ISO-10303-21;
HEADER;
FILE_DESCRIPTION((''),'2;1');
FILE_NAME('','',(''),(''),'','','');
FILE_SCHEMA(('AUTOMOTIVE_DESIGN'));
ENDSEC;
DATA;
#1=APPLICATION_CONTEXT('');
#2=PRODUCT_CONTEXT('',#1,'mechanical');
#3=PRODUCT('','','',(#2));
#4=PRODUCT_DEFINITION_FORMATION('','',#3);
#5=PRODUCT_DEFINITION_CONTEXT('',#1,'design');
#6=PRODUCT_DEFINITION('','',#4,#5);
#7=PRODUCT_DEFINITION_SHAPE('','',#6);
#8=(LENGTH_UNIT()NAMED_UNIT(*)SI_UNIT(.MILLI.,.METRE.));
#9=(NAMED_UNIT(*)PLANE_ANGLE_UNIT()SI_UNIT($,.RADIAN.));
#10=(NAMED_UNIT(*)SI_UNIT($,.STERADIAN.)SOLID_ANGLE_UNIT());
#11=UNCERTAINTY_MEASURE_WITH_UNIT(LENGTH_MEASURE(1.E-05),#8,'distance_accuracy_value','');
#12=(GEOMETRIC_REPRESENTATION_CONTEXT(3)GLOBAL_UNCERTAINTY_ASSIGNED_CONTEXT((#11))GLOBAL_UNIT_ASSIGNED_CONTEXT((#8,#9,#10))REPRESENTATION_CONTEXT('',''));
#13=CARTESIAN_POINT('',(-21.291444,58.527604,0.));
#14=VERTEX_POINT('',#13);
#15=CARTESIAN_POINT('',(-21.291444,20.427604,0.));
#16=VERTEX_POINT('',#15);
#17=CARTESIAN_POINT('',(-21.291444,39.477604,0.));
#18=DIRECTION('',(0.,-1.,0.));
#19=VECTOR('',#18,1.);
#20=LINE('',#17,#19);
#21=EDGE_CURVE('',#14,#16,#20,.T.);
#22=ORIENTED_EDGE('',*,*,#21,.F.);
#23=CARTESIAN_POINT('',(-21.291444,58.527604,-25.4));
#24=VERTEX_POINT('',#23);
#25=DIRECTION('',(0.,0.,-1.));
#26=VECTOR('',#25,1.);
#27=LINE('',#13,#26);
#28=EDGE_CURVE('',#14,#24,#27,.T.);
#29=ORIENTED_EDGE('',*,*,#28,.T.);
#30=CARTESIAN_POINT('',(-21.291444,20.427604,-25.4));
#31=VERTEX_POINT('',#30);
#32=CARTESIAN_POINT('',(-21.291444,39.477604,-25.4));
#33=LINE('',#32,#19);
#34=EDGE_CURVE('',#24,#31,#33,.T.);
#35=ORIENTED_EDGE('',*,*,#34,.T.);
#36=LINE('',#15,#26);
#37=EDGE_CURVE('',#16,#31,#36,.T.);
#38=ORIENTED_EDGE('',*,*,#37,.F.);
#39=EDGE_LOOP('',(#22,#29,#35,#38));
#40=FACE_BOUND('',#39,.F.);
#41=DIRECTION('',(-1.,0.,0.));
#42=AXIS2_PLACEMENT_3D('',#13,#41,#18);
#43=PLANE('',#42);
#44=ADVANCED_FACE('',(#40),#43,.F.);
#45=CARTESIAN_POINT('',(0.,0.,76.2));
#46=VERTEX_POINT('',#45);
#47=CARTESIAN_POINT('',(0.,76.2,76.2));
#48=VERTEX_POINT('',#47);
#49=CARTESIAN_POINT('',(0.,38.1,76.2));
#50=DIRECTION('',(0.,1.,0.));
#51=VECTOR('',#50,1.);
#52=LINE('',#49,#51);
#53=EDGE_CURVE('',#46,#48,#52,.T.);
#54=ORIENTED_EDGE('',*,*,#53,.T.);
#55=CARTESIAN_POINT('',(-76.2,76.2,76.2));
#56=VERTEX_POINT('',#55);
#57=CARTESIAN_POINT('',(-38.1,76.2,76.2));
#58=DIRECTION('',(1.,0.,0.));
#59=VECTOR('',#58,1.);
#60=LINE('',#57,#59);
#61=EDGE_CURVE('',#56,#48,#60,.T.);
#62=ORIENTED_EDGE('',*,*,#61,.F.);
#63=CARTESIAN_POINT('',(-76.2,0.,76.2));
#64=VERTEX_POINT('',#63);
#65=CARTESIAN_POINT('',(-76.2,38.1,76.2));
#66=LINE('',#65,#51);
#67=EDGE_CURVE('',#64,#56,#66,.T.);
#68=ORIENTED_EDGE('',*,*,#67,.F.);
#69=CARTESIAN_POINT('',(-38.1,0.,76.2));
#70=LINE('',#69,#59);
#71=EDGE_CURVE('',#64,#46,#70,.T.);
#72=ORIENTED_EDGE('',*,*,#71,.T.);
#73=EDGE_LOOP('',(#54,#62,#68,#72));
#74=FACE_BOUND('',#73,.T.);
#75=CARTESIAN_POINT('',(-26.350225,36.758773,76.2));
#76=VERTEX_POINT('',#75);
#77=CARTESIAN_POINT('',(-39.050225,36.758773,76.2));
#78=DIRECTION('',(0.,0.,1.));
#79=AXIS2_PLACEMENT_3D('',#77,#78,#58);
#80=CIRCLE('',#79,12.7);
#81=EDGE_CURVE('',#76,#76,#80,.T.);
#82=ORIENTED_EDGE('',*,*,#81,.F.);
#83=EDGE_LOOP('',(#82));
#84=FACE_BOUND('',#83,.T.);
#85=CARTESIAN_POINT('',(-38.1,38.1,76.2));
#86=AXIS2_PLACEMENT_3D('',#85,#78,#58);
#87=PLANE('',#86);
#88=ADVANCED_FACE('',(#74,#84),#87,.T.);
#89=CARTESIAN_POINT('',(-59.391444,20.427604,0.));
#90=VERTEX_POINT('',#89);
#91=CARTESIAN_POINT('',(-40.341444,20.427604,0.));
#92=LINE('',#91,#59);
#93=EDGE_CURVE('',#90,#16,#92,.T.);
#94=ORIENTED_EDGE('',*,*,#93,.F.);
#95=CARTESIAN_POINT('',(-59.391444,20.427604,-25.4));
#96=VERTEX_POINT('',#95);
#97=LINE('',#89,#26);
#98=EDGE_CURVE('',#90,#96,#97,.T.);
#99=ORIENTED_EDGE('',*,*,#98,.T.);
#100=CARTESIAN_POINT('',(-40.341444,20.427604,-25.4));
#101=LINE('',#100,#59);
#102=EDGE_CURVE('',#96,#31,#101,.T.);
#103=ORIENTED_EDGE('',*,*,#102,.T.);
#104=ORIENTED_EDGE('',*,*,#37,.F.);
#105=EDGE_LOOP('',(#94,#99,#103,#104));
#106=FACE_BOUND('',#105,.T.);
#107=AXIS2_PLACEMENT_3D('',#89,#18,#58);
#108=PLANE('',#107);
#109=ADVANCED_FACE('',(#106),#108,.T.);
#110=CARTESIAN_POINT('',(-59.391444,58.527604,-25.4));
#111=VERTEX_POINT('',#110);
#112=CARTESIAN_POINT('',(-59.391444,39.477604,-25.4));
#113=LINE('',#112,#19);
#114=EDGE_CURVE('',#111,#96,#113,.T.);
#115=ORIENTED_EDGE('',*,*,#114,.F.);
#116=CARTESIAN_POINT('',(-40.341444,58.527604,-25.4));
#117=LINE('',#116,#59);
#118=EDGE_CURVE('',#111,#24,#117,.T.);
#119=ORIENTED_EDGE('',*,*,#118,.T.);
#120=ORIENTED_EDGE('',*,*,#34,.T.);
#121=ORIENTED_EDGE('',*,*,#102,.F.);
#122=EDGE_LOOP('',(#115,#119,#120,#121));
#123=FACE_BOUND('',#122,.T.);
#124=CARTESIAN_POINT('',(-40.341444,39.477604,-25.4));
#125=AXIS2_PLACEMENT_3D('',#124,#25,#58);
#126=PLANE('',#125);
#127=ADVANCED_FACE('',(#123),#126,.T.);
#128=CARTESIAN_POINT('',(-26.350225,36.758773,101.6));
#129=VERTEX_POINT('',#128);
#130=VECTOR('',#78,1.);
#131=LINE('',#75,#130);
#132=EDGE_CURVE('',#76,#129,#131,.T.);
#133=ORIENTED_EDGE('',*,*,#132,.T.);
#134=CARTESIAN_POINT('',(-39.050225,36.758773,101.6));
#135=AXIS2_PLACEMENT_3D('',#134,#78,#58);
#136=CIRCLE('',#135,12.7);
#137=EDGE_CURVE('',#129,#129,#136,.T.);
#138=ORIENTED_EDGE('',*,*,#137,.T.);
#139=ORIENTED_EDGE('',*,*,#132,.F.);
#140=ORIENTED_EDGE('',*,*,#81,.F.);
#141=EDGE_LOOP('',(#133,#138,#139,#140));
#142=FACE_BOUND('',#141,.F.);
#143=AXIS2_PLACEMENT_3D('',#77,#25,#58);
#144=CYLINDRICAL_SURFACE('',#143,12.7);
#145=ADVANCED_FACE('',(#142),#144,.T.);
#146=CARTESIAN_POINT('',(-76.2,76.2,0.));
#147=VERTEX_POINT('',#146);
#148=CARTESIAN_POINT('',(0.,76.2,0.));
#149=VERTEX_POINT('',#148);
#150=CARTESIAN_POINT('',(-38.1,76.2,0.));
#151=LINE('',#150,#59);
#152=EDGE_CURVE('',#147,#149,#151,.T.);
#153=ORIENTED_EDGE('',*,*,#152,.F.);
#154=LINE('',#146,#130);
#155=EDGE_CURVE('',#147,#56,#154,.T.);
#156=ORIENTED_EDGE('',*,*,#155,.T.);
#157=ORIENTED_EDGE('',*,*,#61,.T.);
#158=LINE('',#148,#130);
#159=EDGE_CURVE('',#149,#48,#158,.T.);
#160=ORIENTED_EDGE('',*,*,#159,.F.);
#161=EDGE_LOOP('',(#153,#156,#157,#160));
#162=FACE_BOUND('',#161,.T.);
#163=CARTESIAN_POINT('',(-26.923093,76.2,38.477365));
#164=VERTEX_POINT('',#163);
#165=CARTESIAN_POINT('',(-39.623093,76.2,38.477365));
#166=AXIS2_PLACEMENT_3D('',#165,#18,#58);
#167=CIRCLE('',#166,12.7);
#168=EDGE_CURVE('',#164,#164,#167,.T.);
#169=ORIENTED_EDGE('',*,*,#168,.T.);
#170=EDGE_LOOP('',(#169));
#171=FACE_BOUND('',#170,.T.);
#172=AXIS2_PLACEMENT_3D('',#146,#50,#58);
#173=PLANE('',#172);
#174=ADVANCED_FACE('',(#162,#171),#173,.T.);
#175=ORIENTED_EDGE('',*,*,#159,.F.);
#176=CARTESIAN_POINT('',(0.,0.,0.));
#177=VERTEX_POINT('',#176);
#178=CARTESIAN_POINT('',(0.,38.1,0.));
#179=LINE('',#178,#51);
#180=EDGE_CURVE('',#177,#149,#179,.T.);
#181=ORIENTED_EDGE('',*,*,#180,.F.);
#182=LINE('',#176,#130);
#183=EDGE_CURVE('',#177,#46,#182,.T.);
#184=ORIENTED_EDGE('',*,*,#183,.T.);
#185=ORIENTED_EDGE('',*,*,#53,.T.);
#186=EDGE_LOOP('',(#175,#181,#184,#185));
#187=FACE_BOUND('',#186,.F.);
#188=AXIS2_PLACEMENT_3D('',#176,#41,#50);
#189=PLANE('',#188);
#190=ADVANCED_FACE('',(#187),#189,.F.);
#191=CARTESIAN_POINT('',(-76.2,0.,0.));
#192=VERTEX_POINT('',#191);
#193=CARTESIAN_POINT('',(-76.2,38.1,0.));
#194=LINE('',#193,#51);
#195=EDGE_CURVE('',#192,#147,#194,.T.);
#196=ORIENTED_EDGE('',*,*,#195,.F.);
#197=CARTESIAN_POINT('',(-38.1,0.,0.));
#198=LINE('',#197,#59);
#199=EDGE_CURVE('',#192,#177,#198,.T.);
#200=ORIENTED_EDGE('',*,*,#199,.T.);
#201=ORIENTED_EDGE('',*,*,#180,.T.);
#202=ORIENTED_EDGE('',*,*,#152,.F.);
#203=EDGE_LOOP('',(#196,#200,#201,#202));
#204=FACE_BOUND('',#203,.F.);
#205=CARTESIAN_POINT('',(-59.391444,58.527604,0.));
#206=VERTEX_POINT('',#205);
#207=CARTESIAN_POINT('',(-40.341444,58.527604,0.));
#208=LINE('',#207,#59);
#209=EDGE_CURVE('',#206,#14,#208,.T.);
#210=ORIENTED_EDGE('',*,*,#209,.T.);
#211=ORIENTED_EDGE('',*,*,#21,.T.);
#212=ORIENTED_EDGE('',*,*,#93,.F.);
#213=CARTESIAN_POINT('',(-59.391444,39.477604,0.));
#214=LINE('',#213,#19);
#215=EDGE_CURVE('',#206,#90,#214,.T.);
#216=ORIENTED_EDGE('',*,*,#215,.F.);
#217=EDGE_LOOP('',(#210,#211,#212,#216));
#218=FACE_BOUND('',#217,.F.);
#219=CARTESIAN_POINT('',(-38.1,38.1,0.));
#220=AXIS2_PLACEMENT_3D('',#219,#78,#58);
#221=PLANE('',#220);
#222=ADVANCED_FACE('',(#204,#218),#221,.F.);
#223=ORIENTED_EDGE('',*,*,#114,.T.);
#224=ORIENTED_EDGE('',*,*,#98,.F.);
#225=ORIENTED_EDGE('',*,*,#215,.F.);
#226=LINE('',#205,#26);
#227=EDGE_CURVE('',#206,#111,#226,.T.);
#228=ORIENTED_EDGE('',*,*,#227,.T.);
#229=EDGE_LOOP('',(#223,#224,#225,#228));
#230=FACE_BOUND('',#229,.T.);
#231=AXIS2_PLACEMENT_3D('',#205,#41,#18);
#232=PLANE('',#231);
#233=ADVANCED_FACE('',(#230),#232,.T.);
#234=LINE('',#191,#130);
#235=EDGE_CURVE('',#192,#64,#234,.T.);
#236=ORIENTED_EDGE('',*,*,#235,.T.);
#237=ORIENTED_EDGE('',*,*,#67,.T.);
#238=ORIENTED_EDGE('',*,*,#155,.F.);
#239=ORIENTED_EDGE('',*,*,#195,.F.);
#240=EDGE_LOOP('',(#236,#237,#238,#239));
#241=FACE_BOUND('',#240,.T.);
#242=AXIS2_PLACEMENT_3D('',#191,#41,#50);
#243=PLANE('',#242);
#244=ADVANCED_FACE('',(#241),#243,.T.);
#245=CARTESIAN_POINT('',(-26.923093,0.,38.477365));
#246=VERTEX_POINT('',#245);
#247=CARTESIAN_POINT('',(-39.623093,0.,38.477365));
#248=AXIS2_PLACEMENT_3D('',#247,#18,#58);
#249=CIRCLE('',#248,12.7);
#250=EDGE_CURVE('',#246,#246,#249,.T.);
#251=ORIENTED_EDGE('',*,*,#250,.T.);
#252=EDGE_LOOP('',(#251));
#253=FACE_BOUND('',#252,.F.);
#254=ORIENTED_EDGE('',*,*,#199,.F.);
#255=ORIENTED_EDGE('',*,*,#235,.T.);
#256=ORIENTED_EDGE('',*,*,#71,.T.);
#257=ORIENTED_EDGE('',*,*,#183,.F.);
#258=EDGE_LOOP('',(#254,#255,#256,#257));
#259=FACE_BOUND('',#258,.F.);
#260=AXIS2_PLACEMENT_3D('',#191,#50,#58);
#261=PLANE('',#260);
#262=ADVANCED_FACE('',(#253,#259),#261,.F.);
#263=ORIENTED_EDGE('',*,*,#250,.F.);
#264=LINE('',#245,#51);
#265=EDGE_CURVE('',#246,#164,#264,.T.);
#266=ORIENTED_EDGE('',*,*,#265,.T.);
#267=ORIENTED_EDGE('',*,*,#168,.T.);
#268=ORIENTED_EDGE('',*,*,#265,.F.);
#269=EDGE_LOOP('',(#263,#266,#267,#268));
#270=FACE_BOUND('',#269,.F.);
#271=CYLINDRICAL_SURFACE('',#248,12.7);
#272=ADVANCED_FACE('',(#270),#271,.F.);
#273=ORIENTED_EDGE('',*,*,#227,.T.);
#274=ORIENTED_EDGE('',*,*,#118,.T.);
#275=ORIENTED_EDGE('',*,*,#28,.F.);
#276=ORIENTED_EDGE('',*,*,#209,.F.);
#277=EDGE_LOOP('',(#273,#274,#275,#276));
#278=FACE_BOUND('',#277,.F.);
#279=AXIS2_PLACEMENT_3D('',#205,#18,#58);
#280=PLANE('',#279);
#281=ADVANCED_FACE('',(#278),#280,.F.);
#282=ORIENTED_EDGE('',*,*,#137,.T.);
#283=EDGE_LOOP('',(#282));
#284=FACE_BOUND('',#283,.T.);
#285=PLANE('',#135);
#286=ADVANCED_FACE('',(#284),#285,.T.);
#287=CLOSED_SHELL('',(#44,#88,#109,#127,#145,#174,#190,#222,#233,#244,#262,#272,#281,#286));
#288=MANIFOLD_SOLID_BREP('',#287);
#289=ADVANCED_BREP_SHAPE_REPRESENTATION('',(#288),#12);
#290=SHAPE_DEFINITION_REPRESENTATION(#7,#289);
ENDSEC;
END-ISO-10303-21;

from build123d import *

# Parameters (mm, degrees)
F0_W     = 76.2
F0_H     = 76.2
F1_DEPTH = 76.2
F2_R     = 12.7
F3_DEPTH = 76.2
F4_R     = 12.7
F5_DEPTH = 25.4
F6_W     = 38.1
F6_H     = 38.1
F7_DEPTH = 25.4


with BuildPart() as f1:
    # F0 (on Top) → F1 (new body)
    with BuildSketch(Plane.XY):
        with Locations((-38.1, 38.1)):
            Rectangle(F0_W, F0_H)
    extrude(amount=F1_DEPTH)

    # F2 (on face) → F3 (cut)
    with BuildSketch(Plane.XZ):
        with Locations((-39.623093, 38.477365)):
            Circle(F2_R)
    extrude(amount=-F3_DEPTH, mode=Mode.SUBTRACT)

    # F4 (on face) → F5 (join)
    with BuildSketch(Plane.XY.offset(76.2)):
        with Locations((-39.050225, 36.758773)):
            Circle(F4_R)
    extrude(amount=F5_DEPTH)

    # F6 (on face) → F7 (join)
    with BuildSketch(Plane(origin=(0, 0, 0), x_dir=(1, 0, 0), z_dir=(0, 0, -1))):
        with Locations((-40.341444, -39.477604)):
            Rectangle(F6_W, F6_H)
    extrude(amount=F7_DEPTH)


solid = f1.part
